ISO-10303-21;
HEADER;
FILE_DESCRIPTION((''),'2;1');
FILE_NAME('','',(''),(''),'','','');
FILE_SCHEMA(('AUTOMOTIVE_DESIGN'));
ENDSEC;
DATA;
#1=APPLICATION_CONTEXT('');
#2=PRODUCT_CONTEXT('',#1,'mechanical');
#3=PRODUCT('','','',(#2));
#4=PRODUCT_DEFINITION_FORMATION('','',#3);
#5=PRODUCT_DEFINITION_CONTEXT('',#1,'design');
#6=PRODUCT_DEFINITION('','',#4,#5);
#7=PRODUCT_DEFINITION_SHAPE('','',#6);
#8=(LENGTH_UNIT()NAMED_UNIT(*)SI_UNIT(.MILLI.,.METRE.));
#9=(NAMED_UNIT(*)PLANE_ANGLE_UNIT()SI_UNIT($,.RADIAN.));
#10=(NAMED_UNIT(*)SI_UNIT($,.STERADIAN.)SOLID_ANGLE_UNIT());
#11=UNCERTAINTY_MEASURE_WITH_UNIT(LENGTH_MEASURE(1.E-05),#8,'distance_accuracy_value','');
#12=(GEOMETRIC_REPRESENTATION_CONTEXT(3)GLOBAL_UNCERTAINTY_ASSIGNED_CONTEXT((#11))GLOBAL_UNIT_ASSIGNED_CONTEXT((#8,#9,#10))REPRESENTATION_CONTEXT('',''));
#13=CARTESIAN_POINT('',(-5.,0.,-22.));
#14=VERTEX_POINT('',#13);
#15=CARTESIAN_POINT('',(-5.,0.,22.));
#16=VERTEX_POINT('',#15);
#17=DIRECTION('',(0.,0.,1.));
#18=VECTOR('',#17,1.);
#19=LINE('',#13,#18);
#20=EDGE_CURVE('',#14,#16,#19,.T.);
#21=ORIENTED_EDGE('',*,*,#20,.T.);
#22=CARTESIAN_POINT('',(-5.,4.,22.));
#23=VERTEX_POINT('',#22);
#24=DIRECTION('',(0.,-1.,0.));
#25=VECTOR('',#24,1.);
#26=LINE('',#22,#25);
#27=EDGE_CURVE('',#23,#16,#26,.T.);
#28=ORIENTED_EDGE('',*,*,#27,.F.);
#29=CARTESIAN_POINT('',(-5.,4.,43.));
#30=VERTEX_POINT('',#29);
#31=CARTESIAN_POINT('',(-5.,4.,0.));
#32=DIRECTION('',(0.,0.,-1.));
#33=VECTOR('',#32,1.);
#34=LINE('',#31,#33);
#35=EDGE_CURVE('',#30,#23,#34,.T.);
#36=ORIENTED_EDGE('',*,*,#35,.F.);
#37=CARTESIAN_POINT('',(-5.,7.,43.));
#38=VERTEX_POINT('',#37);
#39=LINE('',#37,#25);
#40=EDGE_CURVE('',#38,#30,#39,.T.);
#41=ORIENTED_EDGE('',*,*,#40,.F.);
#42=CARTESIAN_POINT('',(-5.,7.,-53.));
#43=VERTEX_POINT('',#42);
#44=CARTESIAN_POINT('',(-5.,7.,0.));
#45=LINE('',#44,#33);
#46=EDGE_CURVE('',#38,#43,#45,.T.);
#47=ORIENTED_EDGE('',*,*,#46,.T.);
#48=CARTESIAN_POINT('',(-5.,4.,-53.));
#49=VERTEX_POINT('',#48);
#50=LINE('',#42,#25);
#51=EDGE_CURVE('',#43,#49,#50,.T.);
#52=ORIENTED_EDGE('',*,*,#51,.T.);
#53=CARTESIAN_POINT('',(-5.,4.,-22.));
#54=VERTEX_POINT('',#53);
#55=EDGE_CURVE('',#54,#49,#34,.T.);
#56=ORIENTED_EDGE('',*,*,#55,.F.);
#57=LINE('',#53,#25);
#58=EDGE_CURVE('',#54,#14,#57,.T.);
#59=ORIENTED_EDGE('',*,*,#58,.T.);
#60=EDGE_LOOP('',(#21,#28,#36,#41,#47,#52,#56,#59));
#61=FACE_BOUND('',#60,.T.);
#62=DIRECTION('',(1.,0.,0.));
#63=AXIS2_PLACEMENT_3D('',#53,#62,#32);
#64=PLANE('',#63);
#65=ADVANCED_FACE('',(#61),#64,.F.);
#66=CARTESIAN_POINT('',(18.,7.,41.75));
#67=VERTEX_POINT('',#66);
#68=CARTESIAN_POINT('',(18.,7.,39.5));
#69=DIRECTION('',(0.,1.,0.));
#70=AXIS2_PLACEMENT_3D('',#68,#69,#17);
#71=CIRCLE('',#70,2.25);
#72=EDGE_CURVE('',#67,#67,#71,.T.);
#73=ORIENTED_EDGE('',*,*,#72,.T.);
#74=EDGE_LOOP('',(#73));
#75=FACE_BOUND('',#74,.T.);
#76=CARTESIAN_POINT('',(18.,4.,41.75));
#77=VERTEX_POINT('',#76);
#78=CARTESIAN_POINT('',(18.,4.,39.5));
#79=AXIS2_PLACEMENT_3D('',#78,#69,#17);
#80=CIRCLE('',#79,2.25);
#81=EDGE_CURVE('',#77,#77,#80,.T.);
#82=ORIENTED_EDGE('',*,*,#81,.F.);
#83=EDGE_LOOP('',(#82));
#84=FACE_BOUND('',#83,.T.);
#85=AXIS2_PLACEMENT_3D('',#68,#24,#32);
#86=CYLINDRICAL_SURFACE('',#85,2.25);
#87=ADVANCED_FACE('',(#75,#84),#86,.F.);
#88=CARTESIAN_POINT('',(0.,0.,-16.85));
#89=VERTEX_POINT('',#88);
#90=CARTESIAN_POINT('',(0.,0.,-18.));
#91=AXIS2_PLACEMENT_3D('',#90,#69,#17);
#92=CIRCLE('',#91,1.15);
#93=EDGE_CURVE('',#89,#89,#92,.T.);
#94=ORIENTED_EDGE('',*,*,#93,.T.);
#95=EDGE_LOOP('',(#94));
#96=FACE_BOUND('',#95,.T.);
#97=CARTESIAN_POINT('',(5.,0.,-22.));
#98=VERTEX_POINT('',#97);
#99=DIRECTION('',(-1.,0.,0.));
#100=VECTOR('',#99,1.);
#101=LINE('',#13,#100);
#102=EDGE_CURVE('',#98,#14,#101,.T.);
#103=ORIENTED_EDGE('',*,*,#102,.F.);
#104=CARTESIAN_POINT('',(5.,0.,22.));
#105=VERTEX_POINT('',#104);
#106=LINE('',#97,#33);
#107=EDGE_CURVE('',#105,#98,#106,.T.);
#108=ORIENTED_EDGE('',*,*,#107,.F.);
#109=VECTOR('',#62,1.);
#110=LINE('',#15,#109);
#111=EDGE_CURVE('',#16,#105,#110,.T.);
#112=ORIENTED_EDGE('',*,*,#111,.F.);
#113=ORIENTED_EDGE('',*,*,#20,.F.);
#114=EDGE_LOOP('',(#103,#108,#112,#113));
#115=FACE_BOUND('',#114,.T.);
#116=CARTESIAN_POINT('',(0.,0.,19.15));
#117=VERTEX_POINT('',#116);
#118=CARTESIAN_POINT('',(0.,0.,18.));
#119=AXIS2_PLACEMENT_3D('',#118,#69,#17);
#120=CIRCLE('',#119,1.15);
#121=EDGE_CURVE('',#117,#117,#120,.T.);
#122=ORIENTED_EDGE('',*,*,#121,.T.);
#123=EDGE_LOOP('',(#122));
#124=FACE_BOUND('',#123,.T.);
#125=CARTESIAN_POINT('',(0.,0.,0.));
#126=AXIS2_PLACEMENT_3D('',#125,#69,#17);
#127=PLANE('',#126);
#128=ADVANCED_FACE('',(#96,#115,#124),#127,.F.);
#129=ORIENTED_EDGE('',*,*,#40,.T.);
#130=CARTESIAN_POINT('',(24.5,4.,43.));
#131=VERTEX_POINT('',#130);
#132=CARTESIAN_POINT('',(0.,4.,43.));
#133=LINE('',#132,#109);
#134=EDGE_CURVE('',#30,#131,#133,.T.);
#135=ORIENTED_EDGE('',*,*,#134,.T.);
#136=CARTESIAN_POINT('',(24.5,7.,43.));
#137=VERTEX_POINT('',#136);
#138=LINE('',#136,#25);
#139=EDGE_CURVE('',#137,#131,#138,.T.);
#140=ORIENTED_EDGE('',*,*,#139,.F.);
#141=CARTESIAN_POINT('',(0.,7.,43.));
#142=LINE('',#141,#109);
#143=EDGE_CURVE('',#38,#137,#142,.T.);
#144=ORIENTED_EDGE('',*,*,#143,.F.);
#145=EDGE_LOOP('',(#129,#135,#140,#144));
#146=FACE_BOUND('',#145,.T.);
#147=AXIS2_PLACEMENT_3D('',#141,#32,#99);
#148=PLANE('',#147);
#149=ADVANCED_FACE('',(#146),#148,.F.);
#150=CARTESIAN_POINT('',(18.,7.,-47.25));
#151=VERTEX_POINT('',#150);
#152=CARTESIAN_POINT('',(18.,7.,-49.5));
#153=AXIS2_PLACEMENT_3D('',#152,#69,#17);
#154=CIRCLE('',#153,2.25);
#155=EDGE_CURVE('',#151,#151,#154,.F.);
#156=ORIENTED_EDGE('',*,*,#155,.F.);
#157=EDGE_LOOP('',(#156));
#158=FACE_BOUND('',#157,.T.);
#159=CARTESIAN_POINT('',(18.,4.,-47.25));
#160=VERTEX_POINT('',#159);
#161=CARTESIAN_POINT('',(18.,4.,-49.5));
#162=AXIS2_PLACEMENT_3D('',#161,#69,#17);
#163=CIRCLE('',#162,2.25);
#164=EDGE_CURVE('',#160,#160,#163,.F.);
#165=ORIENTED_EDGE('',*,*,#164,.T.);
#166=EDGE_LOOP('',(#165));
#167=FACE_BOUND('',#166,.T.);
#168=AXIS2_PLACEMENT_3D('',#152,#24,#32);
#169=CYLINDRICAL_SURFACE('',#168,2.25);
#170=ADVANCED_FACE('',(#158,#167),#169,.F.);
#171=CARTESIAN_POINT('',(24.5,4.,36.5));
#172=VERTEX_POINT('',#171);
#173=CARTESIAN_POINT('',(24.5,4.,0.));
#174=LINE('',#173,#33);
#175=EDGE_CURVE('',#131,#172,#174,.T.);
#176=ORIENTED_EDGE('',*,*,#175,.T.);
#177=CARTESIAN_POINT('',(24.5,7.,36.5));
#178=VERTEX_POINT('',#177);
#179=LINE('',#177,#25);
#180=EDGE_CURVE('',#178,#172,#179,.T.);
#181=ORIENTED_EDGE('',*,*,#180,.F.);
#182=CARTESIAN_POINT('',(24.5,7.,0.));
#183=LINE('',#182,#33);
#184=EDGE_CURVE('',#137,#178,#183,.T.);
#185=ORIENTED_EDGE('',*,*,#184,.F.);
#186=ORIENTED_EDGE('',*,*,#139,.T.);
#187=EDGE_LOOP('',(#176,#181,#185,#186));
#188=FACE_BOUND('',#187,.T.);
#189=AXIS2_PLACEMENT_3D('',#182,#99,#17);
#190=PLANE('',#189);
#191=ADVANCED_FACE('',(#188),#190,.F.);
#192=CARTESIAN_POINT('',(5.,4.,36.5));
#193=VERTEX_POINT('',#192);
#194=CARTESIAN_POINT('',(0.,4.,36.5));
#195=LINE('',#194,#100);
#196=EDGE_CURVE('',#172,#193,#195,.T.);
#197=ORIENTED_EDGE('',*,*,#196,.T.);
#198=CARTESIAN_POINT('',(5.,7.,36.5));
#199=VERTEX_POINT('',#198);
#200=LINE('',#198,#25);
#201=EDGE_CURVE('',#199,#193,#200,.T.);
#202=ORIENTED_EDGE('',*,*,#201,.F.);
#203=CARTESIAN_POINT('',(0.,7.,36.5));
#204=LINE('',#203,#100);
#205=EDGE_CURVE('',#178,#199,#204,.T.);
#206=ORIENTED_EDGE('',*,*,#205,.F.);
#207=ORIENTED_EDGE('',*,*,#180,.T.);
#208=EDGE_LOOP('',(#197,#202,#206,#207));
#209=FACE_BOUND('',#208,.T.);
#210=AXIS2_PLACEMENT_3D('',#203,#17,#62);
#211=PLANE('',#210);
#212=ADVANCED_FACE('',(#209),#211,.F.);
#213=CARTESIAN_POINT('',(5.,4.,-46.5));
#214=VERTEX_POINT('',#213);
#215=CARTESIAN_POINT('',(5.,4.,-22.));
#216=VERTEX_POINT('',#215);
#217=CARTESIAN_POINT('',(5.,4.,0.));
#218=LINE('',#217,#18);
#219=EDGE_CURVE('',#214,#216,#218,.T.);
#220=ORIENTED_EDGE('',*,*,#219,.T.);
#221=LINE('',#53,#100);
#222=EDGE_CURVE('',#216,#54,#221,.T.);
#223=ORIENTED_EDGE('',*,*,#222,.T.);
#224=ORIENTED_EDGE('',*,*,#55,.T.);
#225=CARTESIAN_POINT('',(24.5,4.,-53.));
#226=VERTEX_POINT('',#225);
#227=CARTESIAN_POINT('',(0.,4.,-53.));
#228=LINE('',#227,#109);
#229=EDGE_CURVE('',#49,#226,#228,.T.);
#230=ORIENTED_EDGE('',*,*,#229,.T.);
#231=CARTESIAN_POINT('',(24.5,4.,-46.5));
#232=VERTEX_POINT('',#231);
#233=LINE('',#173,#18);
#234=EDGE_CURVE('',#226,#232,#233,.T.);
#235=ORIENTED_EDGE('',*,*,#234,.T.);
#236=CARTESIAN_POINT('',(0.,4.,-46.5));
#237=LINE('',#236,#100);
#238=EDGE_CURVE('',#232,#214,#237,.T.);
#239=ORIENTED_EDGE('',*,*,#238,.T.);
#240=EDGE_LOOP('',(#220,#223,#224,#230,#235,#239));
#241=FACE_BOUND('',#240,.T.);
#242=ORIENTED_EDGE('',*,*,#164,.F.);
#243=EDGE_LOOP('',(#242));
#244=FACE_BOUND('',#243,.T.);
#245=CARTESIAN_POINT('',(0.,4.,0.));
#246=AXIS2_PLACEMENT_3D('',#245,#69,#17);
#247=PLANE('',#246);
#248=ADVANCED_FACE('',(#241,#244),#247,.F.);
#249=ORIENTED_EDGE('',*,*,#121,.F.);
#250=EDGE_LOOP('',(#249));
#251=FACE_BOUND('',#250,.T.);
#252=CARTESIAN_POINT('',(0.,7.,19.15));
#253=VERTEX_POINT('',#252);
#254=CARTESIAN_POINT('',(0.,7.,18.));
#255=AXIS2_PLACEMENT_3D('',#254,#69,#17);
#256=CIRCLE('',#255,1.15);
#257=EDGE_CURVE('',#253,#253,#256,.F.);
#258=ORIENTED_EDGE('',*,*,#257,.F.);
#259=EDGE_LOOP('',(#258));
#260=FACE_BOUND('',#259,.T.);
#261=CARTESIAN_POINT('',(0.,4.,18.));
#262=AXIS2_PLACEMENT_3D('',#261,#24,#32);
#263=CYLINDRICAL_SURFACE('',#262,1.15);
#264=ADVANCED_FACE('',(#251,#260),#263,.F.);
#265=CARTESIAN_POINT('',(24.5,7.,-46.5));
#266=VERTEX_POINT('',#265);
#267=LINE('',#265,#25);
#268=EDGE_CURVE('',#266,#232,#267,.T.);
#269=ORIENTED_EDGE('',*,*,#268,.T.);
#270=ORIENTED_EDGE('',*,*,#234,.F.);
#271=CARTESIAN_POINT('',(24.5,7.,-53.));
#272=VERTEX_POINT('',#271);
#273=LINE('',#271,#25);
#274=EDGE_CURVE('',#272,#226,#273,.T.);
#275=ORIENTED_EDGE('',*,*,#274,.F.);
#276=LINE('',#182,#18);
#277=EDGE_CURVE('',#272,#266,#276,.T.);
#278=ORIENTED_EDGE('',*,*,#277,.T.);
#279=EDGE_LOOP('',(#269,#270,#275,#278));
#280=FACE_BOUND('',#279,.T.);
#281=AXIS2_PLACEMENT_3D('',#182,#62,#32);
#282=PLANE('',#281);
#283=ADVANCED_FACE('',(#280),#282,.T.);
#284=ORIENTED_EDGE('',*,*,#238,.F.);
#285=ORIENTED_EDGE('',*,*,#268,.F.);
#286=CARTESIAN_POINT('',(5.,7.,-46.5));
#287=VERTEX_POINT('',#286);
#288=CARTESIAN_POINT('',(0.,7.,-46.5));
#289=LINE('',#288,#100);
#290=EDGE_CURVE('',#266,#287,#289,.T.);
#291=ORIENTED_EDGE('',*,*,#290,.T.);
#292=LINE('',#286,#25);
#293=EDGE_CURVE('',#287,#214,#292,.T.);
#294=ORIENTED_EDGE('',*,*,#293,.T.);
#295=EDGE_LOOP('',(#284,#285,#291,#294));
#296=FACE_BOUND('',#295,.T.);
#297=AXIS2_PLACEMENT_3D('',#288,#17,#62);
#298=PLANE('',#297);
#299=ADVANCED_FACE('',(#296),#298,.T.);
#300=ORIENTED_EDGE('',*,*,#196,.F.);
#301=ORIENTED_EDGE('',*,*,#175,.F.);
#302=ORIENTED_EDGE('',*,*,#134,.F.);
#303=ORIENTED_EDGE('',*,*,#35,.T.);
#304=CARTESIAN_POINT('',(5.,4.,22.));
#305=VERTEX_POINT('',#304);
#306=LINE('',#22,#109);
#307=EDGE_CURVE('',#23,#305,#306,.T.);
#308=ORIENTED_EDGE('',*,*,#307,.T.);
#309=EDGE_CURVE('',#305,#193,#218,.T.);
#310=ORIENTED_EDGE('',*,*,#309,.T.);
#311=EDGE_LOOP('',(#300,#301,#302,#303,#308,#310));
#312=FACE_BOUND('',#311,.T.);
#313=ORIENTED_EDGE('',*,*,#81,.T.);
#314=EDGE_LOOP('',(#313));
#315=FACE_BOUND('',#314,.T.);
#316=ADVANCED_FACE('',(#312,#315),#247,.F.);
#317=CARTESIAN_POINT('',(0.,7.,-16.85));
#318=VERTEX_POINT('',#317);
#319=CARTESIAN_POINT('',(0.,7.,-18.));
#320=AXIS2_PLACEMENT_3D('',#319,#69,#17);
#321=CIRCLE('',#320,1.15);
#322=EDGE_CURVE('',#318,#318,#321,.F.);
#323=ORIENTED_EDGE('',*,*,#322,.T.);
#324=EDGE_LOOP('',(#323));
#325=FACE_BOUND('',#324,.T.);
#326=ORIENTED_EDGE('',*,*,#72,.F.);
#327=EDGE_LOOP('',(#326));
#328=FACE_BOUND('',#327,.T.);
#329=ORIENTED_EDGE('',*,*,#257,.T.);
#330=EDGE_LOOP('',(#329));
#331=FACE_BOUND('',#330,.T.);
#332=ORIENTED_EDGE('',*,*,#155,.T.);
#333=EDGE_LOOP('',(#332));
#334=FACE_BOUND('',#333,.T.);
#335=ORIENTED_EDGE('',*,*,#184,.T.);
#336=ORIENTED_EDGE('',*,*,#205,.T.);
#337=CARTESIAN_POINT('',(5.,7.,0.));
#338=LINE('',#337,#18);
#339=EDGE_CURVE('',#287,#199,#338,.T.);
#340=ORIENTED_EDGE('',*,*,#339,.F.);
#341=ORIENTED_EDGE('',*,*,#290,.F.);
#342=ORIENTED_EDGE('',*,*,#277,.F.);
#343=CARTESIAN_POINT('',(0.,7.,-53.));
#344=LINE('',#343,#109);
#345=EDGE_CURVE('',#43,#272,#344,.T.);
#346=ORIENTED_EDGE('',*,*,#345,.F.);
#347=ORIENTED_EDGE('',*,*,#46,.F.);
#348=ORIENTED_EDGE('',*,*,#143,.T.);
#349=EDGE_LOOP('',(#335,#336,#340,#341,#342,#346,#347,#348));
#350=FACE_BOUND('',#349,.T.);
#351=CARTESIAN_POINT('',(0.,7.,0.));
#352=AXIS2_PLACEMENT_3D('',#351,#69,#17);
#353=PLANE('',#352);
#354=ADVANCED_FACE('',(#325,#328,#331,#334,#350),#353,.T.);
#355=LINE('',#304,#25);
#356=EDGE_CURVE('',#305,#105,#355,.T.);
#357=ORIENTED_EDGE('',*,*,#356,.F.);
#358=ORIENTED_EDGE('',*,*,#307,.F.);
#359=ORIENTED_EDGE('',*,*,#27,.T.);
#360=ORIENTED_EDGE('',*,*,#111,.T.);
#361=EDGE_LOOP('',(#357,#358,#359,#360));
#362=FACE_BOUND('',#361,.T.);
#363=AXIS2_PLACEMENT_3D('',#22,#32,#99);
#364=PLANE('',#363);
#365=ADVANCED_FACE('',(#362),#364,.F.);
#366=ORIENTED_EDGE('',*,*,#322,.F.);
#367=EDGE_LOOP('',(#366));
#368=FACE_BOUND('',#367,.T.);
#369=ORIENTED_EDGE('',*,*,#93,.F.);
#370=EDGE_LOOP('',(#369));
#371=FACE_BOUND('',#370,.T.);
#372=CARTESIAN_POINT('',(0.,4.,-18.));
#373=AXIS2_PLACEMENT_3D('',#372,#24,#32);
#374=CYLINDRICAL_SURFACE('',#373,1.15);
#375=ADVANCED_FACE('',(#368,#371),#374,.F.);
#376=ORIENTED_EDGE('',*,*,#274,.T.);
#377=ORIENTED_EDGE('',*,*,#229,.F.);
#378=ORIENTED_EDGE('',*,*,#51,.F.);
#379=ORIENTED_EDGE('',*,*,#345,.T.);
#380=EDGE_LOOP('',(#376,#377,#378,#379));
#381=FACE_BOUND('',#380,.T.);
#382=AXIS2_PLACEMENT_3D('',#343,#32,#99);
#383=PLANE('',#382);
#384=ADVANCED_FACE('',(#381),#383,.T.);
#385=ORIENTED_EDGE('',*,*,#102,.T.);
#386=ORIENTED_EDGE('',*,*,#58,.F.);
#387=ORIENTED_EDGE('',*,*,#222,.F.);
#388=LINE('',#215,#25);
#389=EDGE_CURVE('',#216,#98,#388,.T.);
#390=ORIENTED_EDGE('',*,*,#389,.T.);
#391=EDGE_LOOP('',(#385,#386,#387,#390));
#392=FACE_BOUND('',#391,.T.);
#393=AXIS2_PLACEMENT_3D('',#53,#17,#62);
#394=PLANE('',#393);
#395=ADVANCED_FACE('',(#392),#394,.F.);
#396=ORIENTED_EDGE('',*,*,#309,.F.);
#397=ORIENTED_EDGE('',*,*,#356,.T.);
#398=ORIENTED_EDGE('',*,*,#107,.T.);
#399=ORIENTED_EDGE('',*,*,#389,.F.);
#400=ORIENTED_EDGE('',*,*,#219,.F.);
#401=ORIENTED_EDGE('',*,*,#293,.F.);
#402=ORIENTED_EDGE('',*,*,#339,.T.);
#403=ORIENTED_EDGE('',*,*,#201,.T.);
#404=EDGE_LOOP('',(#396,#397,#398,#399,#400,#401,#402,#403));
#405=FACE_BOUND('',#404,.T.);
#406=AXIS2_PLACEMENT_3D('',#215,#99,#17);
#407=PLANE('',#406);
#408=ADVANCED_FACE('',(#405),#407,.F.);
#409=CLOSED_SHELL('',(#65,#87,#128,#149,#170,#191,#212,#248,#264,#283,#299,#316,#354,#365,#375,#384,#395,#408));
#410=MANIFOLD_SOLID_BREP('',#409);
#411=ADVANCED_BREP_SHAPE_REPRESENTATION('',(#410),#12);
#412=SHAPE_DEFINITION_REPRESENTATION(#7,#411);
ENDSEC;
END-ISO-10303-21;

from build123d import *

# Parameters (mm, degrees)
SKETCH_1_W      = 10
SKETCH_1_H      = 44
SKETCH_1_R      = 1.15
EXTRUDE_1_DEPTH = 4
SKETCH_2_R      = 2.25
SKETCH_2_R_2    = 1.15
EXTRUDE_2_DEPTH = 3


with BuildPart() as part:
    # 草图1 → 凸台-拉伸1 (new body)
    with BuildSketch(Plane(origin=(0, 0, 0), x_dir=(1, 0, 0), z_dir=(0, 1, 0))):
        Rectangle(SKETCH_1_W, SKETCH_1_H)
        with Locations(Location((0, -18, 0), (0, 0, 270))):
            Circle(SKETCH_1_R, mode=Mode.SUBTRACT)
        with Locations(Location((0, 18, 0), (0, 0, 270))):
            Circle(SKETCH_1_R, mode=Mode.SUBTRACT)
    extrude(amount=EXTRUDE_1_DEPTH)

    # 草图2 → 凸台-拉伸2 (add)
    # profile 1 of 3: a face of its own
    with BuildSketch(Plane(origin=(0, 4, 0), x_dir=(1, 0, 0), z_dir=(0, 1, 0))):
        Polygon((-5, 32), (-5, 22), (5, 22), (5, 32), (5, 46.5), (24.5, 46.5), (24.5, 53), (-5, 53), (-5, 45.896329407), align=None)
        with Locations(Location((18, 49.5, 0), (0, 0, 270))):
            Circle(SKETCH_2_R, mode=Mode.SUBTRACT)
    # profile 2 of 3: a face of its own
    with BuildSketch(Plane(origin=(0, 4, 0), x_dir=(1, 0, 0), z_dir=(0, 1, 0))):
        Polygon((-5, -12), (-5, -22), (5, -22), (5, -12), (5, 22), (-5, 22), align=None)
        with Locations(Location((0, -18, 0), (0, 0, 270))):
            Circle(SKETCH_2_R_2, mode=Mode.SUBTRACT)
        with Locations(Location((0, 18, 0), (0, 0, 270))):
            Circle(SKETCH_2_R_2, mode=Mode.SUBTRACT)
    # profile 3 of 3: a face of its own
    with BuildSketch(Plane(origin=(0, 4, 0), x_dir=(1, 0, 0), z_dir=(0, 1, 0))):
        Polygon((24.5, -36.5), (5, -36.5), (5, -22), (-5, -22), (-5, -43), (24.5, -43), align=None)
        with Locations(Location((18, -39.5, 0), (0, 0, 270))):
            Circle(SKETCH_2_R, mode=Mode.SUBTRACT)
    extrude(amount=EXTRUDE_2_DEPTH)


solid = part.part
